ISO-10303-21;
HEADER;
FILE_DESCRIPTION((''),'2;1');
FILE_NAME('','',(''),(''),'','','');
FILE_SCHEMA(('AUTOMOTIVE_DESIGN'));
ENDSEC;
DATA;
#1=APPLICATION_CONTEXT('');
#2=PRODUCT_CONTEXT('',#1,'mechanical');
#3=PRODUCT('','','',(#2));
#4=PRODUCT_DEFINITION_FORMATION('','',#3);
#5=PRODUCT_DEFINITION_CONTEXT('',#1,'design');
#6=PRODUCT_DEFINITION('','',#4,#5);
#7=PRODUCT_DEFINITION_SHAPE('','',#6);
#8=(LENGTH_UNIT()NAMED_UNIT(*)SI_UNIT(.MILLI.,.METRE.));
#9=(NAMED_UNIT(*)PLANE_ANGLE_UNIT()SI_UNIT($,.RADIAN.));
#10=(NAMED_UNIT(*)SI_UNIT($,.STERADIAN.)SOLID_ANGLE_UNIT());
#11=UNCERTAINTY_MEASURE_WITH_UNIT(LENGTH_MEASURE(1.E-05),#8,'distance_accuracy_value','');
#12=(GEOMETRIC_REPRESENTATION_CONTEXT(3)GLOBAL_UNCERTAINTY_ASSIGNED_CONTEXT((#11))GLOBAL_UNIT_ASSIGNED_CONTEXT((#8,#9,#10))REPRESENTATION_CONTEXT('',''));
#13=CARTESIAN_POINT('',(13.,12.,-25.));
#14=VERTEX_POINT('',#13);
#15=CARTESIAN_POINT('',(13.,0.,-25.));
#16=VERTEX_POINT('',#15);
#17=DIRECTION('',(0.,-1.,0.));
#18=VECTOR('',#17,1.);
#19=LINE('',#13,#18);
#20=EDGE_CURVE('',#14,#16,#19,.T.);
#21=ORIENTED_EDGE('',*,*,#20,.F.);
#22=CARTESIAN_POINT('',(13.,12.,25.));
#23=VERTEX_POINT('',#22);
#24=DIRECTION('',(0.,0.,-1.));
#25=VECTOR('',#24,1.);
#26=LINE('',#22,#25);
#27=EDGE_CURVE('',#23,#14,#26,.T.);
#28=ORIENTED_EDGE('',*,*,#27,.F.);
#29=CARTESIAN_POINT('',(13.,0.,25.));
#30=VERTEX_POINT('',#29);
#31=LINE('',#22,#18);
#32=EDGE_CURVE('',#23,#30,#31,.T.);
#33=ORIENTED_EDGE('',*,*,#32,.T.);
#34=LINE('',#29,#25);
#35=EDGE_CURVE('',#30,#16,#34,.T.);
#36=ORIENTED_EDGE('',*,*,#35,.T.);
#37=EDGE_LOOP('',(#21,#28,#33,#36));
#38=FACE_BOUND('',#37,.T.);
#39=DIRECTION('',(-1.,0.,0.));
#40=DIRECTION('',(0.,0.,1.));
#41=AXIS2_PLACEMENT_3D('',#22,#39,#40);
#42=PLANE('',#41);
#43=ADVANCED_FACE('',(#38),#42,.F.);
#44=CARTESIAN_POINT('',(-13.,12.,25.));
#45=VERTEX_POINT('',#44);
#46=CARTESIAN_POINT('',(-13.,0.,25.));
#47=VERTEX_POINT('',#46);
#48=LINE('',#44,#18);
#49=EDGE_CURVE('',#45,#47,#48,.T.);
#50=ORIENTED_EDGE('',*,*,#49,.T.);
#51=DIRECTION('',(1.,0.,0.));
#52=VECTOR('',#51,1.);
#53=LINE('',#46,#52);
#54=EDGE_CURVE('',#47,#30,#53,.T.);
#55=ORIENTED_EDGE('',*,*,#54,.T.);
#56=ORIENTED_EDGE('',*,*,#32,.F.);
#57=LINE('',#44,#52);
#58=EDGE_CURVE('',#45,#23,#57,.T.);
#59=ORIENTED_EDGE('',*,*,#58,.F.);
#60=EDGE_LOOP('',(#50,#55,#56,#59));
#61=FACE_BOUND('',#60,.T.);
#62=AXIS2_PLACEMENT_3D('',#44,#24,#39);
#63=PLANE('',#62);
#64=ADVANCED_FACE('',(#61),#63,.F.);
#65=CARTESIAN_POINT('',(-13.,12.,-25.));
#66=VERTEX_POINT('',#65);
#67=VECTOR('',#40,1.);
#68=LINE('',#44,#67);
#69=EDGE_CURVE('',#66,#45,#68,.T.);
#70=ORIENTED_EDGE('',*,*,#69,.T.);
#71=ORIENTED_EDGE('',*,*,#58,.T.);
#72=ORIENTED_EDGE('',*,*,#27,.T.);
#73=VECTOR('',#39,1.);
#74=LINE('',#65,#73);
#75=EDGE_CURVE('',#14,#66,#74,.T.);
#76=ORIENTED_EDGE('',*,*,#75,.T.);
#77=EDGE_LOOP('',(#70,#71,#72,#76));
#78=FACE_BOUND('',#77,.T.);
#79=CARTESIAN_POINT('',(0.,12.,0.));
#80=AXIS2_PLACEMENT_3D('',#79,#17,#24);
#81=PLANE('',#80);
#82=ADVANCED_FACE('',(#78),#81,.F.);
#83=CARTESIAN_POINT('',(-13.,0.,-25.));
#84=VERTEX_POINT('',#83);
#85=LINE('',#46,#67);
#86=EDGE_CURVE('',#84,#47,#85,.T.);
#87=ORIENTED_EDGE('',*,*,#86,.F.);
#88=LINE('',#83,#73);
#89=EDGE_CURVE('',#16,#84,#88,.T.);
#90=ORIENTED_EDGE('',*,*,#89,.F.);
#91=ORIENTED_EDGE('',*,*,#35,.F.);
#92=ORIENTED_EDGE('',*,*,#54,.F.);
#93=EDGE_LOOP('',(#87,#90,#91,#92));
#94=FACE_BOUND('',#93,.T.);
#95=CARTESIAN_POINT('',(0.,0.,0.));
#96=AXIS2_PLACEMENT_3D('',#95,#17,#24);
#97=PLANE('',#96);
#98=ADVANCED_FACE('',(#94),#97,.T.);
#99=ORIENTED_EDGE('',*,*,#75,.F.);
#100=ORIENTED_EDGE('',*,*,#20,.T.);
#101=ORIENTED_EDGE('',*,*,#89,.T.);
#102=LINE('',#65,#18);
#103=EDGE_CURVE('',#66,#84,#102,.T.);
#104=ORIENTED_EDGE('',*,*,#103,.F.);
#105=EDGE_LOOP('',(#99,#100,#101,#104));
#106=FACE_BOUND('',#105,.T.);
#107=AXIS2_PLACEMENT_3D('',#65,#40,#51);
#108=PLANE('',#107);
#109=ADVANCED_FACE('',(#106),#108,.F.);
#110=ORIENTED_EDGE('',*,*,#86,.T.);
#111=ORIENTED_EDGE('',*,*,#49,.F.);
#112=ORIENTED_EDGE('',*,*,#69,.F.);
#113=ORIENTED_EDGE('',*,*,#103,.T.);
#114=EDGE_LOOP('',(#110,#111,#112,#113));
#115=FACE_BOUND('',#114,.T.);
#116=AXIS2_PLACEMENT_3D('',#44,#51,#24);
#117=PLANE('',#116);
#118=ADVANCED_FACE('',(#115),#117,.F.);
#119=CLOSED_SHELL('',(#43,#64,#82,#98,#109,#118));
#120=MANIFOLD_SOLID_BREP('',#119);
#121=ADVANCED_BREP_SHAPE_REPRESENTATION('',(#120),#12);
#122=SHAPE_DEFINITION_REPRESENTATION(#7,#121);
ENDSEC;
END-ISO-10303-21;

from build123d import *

# Parameters (mm, degrees)
SKETCH_1_W      = 26
SKETCH_1_H      = 50
EXTRUDE_1_DEPTH = 12


with BuildPart() as part:
    # 草图1 → 凸台-拉伸1 (new body)
    with BuildSketch(Plane(origin=(0, 0, 0), x_dir=(1, 0, 0), z_dir=(0, 1, 0))):
        Rectangle(SKETCH_1_W, SKETCH_1_H)
    extrude(amount=EXTRUDE_1_DEPTH)


solid = part.part
